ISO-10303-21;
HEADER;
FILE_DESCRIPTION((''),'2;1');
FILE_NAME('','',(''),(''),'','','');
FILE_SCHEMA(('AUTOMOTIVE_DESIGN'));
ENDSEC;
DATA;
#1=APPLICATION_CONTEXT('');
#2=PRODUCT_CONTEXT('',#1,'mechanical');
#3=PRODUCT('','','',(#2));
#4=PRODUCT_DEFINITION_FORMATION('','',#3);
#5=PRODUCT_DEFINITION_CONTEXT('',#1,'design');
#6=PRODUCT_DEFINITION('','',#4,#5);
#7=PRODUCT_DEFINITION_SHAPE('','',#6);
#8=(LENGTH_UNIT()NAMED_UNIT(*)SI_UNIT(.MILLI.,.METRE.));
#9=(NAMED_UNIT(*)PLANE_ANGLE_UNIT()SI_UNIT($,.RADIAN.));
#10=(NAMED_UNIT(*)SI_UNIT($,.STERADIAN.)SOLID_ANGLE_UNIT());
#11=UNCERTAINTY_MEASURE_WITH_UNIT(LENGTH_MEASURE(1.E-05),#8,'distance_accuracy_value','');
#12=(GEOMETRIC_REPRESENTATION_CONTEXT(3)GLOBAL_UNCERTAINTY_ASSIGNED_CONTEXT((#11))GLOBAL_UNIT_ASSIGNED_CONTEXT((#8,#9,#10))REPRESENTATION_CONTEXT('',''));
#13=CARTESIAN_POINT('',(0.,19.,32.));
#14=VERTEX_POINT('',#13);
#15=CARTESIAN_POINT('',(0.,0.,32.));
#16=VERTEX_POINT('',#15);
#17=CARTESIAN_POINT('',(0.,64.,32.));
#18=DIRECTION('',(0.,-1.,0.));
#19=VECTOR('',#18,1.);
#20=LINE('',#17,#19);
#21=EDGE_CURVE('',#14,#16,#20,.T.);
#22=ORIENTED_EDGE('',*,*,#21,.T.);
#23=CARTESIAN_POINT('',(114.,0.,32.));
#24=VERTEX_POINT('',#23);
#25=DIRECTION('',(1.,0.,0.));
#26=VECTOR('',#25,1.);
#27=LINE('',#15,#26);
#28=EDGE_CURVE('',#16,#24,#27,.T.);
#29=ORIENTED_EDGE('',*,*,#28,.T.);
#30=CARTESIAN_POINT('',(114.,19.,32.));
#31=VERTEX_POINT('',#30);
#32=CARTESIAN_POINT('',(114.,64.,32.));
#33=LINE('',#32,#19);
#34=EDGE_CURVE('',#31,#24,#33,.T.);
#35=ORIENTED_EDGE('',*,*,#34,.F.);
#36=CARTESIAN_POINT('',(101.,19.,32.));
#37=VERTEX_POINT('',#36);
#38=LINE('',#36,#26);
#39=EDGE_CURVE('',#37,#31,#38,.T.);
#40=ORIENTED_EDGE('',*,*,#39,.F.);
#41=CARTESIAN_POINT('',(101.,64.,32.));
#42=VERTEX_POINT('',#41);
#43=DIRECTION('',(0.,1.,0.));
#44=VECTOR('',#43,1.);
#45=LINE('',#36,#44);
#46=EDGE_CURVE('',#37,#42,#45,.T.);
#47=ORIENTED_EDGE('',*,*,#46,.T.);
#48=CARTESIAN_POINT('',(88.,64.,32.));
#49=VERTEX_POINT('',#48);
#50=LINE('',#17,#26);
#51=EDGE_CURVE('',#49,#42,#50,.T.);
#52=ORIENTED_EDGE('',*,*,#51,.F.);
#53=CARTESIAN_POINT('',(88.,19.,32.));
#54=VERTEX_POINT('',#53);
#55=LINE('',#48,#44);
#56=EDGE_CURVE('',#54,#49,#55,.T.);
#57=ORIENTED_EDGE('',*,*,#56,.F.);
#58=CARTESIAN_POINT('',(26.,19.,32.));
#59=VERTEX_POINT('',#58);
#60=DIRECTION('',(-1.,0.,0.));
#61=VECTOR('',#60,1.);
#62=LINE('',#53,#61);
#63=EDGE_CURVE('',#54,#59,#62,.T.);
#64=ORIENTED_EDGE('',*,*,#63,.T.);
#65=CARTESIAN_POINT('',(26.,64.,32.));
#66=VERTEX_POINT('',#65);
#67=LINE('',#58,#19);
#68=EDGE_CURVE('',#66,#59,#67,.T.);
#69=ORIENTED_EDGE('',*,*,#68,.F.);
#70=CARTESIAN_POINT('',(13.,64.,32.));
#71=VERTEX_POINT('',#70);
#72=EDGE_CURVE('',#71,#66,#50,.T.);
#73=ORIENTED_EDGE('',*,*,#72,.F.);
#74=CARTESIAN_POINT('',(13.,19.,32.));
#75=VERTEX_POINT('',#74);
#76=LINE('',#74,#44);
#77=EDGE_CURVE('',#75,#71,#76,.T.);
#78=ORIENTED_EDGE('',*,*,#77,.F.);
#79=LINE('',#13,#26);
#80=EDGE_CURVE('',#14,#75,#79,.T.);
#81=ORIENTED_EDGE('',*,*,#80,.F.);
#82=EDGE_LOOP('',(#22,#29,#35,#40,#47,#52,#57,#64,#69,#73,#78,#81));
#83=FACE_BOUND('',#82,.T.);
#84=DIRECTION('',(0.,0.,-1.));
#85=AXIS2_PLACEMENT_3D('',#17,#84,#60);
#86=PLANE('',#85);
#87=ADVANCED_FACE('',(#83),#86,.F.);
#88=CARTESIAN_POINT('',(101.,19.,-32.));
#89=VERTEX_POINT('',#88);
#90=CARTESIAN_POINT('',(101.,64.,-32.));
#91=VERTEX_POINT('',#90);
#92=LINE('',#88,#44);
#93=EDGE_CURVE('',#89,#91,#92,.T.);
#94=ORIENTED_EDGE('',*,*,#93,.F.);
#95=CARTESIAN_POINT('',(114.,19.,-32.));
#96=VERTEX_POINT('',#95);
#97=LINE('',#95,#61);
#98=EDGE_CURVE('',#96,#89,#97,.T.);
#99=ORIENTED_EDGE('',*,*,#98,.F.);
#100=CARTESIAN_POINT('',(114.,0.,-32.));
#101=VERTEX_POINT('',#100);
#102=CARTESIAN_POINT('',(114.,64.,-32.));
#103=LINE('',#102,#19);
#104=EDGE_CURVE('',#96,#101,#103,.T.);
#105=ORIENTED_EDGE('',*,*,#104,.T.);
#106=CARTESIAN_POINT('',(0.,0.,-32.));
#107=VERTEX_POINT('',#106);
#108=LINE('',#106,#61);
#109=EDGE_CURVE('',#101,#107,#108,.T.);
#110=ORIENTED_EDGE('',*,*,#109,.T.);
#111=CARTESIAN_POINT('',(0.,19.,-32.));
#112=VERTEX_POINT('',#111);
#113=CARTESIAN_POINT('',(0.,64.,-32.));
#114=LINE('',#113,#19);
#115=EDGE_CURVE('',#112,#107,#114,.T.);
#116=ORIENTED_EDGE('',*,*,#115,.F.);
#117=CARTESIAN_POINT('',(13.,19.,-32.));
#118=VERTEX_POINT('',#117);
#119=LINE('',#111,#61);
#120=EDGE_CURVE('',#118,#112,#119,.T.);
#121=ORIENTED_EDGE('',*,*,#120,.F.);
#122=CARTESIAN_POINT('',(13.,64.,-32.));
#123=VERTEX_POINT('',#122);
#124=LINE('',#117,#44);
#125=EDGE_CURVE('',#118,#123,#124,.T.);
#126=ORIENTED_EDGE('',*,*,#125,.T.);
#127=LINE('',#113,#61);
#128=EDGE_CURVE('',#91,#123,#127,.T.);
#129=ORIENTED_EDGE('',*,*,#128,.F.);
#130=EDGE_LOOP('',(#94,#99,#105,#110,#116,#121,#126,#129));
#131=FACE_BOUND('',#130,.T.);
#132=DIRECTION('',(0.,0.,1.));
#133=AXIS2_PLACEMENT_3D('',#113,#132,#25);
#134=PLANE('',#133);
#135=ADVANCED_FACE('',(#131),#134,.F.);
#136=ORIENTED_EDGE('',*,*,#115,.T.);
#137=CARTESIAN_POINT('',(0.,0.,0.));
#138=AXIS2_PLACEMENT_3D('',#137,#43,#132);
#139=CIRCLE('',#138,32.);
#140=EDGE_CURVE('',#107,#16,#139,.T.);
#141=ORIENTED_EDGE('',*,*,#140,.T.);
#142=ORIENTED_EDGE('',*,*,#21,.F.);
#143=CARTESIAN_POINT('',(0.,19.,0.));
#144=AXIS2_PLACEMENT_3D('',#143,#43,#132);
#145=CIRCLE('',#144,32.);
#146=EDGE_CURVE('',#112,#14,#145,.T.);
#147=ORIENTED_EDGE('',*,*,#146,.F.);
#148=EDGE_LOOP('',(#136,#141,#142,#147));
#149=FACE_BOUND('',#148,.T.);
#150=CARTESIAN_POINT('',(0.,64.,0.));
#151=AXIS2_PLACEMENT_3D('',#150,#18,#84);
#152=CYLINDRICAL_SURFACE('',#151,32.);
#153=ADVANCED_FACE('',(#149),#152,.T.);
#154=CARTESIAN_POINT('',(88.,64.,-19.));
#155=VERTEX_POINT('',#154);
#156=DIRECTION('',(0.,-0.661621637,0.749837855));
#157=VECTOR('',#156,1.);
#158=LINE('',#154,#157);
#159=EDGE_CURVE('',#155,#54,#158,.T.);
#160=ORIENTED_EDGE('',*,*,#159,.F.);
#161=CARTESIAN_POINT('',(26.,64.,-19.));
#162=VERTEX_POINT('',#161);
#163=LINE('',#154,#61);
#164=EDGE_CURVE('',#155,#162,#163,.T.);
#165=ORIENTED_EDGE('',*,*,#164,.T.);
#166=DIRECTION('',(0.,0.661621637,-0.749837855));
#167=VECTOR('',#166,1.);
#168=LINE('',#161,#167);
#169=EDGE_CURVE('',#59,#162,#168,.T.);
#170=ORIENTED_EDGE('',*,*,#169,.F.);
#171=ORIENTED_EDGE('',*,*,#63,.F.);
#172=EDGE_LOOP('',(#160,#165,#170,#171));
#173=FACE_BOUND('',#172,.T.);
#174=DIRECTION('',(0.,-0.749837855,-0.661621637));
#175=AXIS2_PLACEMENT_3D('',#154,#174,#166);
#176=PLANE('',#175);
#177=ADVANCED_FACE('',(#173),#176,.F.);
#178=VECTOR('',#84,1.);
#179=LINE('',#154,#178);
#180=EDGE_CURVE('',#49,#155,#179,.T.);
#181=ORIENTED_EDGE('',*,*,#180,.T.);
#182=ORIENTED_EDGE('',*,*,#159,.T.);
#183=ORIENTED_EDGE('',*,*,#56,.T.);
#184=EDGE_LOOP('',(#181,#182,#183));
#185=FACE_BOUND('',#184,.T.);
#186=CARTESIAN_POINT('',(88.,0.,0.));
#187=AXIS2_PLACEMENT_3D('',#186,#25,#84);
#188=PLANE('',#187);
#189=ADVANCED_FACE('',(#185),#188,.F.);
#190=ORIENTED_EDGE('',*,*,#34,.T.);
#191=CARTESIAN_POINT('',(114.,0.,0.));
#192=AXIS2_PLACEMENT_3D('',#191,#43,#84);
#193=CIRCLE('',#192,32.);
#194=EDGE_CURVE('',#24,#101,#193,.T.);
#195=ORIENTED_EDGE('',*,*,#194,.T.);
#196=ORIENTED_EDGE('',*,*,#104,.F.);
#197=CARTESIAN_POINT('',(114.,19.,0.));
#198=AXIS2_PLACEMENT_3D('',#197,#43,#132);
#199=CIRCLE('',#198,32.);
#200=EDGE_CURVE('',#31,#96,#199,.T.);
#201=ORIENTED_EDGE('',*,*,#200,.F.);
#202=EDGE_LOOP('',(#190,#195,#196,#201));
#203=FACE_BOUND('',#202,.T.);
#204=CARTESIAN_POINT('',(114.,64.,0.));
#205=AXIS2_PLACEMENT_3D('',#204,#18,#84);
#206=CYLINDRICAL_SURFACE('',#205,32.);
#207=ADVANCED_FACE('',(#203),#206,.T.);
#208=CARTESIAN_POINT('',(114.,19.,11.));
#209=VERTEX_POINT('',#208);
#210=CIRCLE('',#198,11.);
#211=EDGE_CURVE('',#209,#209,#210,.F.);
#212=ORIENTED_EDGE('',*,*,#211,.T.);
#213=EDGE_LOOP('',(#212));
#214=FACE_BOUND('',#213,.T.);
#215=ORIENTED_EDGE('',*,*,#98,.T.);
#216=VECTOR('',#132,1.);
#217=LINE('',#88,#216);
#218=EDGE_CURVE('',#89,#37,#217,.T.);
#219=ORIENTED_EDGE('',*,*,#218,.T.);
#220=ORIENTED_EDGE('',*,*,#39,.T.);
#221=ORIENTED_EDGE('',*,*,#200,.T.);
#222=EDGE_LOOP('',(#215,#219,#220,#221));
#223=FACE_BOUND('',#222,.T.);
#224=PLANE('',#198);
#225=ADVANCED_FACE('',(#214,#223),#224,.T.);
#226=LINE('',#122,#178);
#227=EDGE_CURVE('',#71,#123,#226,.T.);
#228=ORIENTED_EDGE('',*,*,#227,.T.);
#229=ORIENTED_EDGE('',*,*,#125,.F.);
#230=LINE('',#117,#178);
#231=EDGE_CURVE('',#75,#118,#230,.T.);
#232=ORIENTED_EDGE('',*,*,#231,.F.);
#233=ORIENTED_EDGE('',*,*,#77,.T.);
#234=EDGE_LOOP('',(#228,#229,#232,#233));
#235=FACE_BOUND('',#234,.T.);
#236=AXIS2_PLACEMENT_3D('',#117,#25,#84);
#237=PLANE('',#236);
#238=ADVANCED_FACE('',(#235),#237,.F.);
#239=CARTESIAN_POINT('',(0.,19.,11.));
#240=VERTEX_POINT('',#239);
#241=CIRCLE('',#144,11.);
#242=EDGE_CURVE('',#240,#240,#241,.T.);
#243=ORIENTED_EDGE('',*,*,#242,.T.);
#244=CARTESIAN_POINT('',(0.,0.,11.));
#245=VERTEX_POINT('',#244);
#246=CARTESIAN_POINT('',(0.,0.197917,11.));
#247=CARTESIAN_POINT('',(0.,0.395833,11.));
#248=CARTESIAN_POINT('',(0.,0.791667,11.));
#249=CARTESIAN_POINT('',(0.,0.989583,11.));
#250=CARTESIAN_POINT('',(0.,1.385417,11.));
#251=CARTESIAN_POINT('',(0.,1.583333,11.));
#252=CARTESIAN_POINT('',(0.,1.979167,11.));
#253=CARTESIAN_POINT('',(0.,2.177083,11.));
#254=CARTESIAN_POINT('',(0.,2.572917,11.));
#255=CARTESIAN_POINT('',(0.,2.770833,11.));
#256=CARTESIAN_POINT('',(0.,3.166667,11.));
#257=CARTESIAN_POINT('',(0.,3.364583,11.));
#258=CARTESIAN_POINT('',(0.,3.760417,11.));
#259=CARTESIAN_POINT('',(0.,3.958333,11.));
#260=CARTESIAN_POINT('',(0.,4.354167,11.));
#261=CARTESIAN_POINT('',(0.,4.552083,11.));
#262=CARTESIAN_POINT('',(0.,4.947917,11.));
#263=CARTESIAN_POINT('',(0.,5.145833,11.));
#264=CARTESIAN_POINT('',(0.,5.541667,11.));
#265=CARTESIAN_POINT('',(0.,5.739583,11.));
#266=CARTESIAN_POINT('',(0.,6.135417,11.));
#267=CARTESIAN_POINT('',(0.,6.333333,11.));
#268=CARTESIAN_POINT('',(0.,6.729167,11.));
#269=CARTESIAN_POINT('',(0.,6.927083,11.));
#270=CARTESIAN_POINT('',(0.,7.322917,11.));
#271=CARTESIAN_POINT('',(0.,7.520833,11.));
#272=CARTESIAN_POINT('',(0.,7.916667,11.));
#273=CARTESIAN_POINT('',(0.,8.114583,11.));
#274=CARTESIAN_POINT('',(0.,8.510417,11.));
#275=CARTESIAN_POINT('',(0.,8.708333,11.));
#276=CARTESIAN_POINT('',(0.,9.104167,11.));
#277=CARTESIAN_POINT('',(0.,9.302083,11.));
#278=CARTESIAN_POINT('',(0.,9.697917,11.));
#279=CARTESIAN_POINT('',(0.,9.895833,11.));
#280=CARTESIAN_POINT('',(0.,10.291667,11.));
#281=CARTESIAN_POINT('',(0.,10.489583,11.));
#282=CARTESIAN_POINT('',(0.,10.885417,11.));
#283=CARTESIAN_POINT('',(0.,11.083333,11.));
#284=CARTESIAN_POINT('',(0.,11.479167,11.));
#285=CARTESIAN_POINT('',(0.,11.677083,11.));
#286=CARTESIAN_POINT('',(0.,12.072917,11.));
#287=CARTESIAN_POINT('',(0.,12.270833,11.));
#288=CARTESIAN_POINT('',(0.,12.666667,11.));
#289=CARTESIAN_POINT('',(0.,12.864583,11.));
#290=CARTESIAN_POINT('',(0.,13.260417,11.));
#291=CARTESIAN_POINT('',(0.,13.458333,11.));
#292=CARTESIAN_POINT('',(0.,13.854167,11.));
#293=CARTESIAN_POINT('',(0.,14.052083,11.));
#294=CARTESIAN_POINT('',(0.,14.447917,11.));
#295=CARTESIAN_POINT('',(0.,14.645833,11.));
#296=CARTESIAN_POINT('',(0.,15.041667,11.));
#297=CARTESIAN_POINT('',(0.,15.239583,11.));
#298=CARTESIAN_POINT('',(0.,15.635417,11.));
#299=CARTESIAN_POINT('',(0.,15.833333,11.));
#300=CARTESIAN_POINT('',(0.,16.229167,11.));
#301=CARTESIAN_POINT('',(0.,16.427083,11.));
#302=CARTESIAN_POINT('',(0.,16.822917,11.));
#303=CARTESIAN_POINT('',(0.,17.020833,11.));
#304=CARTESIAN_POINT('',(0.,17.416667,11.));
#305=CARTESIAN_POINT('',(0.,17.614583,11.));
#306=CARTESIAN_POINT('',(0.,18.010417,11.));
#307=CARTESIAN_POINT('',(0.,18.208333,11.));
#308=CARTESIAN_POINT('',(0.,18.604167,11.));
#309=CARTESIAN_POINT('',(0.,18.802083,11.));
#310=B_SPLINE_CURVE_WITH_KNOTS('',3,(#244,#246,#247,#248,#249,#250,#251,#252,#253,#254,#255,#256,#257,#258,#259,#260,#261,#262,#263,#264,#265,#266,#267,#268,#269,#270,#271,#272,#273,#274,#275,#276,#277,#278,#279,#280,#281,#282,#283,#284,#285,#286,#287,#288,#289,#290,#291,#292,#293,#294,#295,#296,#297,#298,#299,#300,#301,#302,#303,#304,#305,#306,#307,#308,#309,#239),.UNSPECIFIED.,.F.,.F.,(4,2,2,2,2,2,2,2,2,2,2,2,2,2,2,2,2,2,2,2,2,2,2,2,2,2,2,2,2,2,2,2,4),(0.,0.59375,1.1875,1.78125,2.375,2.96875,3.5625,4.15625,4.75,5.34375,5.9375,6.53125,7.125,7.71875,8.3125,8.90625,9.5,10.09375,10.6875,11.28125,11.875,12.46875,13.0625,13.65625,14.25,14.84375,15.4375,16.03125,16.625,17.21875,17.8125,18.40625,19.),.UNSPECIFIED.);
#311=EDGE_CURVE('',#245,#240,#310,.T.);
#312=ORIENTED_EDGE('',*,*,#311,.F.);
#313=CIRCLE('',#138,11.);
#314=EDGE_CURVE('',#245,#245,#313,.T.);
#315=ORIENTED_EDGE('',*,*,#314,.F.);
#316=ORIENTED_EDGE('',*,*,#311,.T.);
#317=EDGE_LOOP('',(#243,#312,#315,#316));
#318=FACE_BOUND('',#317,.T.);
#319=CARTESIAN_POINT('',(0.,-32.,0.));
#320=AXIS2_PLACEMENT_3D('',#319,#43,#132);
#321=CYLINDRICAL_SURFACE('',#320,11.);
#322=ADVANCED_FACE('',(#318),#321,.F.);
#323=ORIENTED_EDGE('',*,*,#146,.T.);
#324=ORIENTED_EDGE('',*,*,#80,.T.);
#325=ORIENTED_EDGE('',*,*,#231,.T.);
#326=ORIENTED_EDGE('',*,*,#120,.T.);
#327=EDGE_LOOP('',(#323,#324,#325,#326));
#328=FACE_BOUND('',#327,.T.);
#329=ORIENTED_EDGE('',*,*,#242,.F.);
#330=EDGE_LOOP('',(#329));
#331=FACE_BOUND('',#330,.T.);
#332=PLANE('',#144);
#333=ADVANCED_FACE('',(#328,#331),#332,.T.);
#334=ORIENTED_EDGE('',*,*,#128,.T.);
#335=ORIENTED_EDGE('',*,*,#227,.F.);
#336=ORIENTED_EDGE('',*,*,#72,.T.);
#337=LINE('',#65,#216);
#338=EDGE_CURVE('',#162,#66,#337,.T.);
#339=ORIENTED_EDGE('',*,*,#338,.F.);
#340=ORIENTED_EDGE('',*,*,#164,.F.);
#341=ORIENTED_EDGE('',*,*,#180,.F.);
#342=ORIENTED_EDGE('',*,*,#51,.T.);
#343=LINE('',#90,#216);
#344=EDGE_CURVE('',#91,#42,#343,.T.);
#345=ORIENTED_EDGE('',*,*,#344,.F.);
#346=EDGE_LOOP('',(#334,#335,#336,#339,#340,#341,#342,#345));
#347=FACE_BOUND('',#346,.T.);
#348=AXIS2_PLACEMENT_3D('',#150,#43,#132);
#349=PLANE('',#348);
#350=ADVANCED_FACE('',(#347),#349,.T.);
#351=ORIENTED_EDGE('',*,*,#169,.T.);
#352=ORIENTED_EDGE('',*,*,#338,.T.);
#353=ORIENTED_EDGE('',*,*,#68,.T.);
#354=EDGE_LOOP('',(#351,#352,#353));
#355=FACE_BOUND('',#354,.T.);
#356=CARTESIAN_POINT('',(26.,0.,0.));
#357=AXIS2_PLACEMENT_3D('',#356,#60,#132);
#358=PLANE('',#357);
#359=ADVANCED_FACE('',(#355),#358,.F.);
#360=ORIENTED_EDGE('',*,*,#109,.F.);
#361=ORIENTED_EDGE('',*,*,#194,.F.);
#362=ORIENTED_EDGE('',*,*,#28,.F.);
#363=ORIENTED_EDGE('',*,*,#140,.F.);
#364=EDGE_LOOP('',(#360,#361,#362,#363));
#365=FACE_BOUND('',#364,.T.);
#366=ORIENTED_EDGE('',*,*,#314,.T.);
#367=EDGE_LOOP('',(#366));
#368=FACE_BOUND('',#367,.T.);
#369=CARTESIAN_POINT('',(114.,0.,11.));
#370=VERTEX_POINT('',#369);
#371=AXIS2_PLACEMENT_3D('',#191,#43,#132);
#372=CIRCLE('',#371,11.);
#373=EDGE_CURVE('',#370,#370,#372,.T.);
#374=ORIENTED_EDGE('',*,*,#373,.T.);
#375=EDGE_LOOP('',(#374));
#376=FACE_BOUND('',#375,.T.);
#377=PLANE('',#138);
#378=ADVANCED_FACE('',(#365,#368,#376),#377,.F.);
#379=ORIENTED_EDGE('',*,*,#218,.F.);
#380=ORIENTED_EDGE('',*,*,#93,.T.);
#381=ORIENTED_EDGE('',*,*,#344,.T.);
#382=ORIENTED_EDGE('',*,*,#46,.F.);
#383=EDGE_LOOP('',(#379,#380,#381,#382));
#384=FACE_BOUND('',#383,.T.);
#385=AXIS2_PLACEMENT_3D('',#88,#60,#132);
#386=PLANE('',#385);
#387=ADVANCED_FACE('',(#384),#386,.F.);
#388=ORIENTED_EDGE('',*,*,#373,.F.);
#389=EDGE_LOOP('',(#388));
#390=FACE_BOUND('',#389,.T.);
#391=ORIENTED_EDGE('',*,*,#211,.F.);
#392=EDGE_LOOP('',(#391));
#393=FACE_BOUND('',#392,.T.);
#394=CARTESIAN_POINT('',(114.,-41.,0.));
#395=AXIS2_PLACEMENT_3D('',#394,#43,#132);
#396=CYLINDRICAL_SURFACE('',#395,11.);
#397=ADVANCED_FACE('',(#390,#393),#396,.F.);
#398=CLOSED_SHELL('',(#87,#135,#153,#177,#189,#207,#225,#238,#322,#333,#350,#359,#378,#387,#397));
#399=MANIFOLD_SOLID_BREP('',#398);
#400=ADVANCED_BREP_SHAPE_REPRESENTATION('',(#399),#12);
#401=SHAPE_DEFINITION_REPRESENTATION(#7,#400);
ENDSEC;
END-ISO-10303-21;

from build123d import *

# Parameters (mm, degrees)
BOSS_EXTRUDE2_DEPTH = 64
CUT_EXTRUDE3_START  = -45
CUT_EXTRUDE3_DEPTH  = 45
SKETCH7_R           = 11
CUT_EXTRUDE5_DEPTH  = 96
SKETCH8_R           = 11
CUT_EXTRUDE6_DEPTH  = 105
CUT_EXTRUDE7_START  = -45
CUT_EXTRUDE7_DEPTH  = 45
SKETCH10_W          = 13
SKETCH10_H          = 64
CUT_EXTRUDE8_DEPTH  = 45
SKETCH11_W          = 13
SKETCH11_H          = 64
CUT_EXTRUDE9_DEPTH  = 45
CUT_EXTRUDE12_DEPTH = 31
CUT_EXTRUDE13_DEPTH = 31


with BuildPart() as part:
    # Sketch1 → Boss-Extrude2 (new body)
    with BuildSketch(Plane(origin=(0, 0, 0), x_dir=(1, 0, 0), z_dir=(0, 1, 0))):
        with BuildLine():
            Line((0, -32), (114, -32))
            ThreePointArc((114, -32), (146, 0), (114, 32))
            Line((114, 32), (0, 32))
            ThreePointArc((0, 32), (-32, 0), (0, -32))
        make_face()
    extrude(amount=BOSS_EXTRUDE2_DEPTH)

    # Sketch6 → Cut-Extrude3 (cut)
    with BuildSketch(Plane(origin=(0, 64, 0), x_dir=(1, 0, 0), z_dir=(0, 1, 0)).offset(CUT_EXTRUDE3_START)):
        with BuildLine():
            Line((0, 32), (0, -32))
            ThreePointArc((0, -32), (-32, 0), (0, 32))
        make_face()
    extrude(amount=CUT_EXTRUDE3_DEPTH, mode=Mode.SUBTRACT)

    # Sketch7 → Cut-Extrude5 (cut)
    with BuildSketch(Plane(origin=(0, 64, 0), x_dir=(1, 0, 0), z_dir=(0, 1, 0))):
        with Locations(Location((0, 0, 0), (0, 0, 270))):
            Circle(SKETCH7_R)
    extrude(amount=-CUT_EXTRUDE5_DEPTH, mode=Mode.SUBTRACT)

    # Sketch8 → Cut-Extrude6 (cut)
    with BuildSketch(Plane(origin=(0, 64, 0), x_dir=(1, 0, 0), z_dir=(0, 1, 0))):
        with Locations(Location((114, 0, 0), (0, 0, 270))):
            Circle(SKETCH8_R)
    extrude(amount=-CUT_EXTRUDE6_DEPTH, mode=Mode.SUBTRACT)

    # Sketch9 → Cut-Extrude7 (cut)
    with BuildSketch(Plane(origin=(0, 64, 0), x_dir=(1, 0, 0), z_dir=(0, 1, 0)).offset(CUT_EXTRUDE7_START)):
        with BuildLine():
            Line((114, 32), (114, -32))
            ThreePointArc((114, -32), (146, 0), (114, 32))
        make_face()
    extrude(amount=CUT_EXTRUDE7_DEPTH, mode=Mode.SUBTRACT)

    # Sketch10 → Cut-Extrude8 (cut)
    with BuildSketch(Plane(origin=(0, 64, 0), x_dir=(1, 0, 0), z_dir=(0, 1, 0))):
        with Locations((6.5, 0)):
            Rectangle(SKETCH10_W, SKETCH10_H)
    extrude(amount=-CUT_EXTRUDE8_DEPTH, mode=Mode.SUBTRACT)

    # Sketch11 → Cut-Extrude9 (cut)
    with BuildSketch(Plane(origin=(0, 64, 0), x_dir=(1, 0, 0), z_dir=(0, 1, 0))):
        with Locations((107.5, 0)):
            Rectangle(SKETCH11_W, SKETCH11_H)
    extrude(amount=-CUT_EXTRUDE9_DEPTH, mode=Mode.SUBTRACT)

    # Sketch15 → Cut-Extrude12 (cut)
    with BuildSketch(Plane.ZY.offset(-57)):
        Polygon((-19, 64), (32, 19), (32, 64), align=None)
    extrude(amount=-CUT_EXTRUDE12_DEPTH, mode=Mode.SUBTRACT)

    # Sketch16 → Cut-Extrude13 (cut)
    with BuildSketch(Plane(origin=(57, 0, 0), x_dir=(0, 0, -1), z_dir=(1, 0, 0))):
        Polygon((-32, 64), (19, 64), (-32, 19), align=None)
    extrude(amount=-CUT_EXTRUDE13_DEPTH, mode=Mode.SUBTRACT)


solid = part.part
